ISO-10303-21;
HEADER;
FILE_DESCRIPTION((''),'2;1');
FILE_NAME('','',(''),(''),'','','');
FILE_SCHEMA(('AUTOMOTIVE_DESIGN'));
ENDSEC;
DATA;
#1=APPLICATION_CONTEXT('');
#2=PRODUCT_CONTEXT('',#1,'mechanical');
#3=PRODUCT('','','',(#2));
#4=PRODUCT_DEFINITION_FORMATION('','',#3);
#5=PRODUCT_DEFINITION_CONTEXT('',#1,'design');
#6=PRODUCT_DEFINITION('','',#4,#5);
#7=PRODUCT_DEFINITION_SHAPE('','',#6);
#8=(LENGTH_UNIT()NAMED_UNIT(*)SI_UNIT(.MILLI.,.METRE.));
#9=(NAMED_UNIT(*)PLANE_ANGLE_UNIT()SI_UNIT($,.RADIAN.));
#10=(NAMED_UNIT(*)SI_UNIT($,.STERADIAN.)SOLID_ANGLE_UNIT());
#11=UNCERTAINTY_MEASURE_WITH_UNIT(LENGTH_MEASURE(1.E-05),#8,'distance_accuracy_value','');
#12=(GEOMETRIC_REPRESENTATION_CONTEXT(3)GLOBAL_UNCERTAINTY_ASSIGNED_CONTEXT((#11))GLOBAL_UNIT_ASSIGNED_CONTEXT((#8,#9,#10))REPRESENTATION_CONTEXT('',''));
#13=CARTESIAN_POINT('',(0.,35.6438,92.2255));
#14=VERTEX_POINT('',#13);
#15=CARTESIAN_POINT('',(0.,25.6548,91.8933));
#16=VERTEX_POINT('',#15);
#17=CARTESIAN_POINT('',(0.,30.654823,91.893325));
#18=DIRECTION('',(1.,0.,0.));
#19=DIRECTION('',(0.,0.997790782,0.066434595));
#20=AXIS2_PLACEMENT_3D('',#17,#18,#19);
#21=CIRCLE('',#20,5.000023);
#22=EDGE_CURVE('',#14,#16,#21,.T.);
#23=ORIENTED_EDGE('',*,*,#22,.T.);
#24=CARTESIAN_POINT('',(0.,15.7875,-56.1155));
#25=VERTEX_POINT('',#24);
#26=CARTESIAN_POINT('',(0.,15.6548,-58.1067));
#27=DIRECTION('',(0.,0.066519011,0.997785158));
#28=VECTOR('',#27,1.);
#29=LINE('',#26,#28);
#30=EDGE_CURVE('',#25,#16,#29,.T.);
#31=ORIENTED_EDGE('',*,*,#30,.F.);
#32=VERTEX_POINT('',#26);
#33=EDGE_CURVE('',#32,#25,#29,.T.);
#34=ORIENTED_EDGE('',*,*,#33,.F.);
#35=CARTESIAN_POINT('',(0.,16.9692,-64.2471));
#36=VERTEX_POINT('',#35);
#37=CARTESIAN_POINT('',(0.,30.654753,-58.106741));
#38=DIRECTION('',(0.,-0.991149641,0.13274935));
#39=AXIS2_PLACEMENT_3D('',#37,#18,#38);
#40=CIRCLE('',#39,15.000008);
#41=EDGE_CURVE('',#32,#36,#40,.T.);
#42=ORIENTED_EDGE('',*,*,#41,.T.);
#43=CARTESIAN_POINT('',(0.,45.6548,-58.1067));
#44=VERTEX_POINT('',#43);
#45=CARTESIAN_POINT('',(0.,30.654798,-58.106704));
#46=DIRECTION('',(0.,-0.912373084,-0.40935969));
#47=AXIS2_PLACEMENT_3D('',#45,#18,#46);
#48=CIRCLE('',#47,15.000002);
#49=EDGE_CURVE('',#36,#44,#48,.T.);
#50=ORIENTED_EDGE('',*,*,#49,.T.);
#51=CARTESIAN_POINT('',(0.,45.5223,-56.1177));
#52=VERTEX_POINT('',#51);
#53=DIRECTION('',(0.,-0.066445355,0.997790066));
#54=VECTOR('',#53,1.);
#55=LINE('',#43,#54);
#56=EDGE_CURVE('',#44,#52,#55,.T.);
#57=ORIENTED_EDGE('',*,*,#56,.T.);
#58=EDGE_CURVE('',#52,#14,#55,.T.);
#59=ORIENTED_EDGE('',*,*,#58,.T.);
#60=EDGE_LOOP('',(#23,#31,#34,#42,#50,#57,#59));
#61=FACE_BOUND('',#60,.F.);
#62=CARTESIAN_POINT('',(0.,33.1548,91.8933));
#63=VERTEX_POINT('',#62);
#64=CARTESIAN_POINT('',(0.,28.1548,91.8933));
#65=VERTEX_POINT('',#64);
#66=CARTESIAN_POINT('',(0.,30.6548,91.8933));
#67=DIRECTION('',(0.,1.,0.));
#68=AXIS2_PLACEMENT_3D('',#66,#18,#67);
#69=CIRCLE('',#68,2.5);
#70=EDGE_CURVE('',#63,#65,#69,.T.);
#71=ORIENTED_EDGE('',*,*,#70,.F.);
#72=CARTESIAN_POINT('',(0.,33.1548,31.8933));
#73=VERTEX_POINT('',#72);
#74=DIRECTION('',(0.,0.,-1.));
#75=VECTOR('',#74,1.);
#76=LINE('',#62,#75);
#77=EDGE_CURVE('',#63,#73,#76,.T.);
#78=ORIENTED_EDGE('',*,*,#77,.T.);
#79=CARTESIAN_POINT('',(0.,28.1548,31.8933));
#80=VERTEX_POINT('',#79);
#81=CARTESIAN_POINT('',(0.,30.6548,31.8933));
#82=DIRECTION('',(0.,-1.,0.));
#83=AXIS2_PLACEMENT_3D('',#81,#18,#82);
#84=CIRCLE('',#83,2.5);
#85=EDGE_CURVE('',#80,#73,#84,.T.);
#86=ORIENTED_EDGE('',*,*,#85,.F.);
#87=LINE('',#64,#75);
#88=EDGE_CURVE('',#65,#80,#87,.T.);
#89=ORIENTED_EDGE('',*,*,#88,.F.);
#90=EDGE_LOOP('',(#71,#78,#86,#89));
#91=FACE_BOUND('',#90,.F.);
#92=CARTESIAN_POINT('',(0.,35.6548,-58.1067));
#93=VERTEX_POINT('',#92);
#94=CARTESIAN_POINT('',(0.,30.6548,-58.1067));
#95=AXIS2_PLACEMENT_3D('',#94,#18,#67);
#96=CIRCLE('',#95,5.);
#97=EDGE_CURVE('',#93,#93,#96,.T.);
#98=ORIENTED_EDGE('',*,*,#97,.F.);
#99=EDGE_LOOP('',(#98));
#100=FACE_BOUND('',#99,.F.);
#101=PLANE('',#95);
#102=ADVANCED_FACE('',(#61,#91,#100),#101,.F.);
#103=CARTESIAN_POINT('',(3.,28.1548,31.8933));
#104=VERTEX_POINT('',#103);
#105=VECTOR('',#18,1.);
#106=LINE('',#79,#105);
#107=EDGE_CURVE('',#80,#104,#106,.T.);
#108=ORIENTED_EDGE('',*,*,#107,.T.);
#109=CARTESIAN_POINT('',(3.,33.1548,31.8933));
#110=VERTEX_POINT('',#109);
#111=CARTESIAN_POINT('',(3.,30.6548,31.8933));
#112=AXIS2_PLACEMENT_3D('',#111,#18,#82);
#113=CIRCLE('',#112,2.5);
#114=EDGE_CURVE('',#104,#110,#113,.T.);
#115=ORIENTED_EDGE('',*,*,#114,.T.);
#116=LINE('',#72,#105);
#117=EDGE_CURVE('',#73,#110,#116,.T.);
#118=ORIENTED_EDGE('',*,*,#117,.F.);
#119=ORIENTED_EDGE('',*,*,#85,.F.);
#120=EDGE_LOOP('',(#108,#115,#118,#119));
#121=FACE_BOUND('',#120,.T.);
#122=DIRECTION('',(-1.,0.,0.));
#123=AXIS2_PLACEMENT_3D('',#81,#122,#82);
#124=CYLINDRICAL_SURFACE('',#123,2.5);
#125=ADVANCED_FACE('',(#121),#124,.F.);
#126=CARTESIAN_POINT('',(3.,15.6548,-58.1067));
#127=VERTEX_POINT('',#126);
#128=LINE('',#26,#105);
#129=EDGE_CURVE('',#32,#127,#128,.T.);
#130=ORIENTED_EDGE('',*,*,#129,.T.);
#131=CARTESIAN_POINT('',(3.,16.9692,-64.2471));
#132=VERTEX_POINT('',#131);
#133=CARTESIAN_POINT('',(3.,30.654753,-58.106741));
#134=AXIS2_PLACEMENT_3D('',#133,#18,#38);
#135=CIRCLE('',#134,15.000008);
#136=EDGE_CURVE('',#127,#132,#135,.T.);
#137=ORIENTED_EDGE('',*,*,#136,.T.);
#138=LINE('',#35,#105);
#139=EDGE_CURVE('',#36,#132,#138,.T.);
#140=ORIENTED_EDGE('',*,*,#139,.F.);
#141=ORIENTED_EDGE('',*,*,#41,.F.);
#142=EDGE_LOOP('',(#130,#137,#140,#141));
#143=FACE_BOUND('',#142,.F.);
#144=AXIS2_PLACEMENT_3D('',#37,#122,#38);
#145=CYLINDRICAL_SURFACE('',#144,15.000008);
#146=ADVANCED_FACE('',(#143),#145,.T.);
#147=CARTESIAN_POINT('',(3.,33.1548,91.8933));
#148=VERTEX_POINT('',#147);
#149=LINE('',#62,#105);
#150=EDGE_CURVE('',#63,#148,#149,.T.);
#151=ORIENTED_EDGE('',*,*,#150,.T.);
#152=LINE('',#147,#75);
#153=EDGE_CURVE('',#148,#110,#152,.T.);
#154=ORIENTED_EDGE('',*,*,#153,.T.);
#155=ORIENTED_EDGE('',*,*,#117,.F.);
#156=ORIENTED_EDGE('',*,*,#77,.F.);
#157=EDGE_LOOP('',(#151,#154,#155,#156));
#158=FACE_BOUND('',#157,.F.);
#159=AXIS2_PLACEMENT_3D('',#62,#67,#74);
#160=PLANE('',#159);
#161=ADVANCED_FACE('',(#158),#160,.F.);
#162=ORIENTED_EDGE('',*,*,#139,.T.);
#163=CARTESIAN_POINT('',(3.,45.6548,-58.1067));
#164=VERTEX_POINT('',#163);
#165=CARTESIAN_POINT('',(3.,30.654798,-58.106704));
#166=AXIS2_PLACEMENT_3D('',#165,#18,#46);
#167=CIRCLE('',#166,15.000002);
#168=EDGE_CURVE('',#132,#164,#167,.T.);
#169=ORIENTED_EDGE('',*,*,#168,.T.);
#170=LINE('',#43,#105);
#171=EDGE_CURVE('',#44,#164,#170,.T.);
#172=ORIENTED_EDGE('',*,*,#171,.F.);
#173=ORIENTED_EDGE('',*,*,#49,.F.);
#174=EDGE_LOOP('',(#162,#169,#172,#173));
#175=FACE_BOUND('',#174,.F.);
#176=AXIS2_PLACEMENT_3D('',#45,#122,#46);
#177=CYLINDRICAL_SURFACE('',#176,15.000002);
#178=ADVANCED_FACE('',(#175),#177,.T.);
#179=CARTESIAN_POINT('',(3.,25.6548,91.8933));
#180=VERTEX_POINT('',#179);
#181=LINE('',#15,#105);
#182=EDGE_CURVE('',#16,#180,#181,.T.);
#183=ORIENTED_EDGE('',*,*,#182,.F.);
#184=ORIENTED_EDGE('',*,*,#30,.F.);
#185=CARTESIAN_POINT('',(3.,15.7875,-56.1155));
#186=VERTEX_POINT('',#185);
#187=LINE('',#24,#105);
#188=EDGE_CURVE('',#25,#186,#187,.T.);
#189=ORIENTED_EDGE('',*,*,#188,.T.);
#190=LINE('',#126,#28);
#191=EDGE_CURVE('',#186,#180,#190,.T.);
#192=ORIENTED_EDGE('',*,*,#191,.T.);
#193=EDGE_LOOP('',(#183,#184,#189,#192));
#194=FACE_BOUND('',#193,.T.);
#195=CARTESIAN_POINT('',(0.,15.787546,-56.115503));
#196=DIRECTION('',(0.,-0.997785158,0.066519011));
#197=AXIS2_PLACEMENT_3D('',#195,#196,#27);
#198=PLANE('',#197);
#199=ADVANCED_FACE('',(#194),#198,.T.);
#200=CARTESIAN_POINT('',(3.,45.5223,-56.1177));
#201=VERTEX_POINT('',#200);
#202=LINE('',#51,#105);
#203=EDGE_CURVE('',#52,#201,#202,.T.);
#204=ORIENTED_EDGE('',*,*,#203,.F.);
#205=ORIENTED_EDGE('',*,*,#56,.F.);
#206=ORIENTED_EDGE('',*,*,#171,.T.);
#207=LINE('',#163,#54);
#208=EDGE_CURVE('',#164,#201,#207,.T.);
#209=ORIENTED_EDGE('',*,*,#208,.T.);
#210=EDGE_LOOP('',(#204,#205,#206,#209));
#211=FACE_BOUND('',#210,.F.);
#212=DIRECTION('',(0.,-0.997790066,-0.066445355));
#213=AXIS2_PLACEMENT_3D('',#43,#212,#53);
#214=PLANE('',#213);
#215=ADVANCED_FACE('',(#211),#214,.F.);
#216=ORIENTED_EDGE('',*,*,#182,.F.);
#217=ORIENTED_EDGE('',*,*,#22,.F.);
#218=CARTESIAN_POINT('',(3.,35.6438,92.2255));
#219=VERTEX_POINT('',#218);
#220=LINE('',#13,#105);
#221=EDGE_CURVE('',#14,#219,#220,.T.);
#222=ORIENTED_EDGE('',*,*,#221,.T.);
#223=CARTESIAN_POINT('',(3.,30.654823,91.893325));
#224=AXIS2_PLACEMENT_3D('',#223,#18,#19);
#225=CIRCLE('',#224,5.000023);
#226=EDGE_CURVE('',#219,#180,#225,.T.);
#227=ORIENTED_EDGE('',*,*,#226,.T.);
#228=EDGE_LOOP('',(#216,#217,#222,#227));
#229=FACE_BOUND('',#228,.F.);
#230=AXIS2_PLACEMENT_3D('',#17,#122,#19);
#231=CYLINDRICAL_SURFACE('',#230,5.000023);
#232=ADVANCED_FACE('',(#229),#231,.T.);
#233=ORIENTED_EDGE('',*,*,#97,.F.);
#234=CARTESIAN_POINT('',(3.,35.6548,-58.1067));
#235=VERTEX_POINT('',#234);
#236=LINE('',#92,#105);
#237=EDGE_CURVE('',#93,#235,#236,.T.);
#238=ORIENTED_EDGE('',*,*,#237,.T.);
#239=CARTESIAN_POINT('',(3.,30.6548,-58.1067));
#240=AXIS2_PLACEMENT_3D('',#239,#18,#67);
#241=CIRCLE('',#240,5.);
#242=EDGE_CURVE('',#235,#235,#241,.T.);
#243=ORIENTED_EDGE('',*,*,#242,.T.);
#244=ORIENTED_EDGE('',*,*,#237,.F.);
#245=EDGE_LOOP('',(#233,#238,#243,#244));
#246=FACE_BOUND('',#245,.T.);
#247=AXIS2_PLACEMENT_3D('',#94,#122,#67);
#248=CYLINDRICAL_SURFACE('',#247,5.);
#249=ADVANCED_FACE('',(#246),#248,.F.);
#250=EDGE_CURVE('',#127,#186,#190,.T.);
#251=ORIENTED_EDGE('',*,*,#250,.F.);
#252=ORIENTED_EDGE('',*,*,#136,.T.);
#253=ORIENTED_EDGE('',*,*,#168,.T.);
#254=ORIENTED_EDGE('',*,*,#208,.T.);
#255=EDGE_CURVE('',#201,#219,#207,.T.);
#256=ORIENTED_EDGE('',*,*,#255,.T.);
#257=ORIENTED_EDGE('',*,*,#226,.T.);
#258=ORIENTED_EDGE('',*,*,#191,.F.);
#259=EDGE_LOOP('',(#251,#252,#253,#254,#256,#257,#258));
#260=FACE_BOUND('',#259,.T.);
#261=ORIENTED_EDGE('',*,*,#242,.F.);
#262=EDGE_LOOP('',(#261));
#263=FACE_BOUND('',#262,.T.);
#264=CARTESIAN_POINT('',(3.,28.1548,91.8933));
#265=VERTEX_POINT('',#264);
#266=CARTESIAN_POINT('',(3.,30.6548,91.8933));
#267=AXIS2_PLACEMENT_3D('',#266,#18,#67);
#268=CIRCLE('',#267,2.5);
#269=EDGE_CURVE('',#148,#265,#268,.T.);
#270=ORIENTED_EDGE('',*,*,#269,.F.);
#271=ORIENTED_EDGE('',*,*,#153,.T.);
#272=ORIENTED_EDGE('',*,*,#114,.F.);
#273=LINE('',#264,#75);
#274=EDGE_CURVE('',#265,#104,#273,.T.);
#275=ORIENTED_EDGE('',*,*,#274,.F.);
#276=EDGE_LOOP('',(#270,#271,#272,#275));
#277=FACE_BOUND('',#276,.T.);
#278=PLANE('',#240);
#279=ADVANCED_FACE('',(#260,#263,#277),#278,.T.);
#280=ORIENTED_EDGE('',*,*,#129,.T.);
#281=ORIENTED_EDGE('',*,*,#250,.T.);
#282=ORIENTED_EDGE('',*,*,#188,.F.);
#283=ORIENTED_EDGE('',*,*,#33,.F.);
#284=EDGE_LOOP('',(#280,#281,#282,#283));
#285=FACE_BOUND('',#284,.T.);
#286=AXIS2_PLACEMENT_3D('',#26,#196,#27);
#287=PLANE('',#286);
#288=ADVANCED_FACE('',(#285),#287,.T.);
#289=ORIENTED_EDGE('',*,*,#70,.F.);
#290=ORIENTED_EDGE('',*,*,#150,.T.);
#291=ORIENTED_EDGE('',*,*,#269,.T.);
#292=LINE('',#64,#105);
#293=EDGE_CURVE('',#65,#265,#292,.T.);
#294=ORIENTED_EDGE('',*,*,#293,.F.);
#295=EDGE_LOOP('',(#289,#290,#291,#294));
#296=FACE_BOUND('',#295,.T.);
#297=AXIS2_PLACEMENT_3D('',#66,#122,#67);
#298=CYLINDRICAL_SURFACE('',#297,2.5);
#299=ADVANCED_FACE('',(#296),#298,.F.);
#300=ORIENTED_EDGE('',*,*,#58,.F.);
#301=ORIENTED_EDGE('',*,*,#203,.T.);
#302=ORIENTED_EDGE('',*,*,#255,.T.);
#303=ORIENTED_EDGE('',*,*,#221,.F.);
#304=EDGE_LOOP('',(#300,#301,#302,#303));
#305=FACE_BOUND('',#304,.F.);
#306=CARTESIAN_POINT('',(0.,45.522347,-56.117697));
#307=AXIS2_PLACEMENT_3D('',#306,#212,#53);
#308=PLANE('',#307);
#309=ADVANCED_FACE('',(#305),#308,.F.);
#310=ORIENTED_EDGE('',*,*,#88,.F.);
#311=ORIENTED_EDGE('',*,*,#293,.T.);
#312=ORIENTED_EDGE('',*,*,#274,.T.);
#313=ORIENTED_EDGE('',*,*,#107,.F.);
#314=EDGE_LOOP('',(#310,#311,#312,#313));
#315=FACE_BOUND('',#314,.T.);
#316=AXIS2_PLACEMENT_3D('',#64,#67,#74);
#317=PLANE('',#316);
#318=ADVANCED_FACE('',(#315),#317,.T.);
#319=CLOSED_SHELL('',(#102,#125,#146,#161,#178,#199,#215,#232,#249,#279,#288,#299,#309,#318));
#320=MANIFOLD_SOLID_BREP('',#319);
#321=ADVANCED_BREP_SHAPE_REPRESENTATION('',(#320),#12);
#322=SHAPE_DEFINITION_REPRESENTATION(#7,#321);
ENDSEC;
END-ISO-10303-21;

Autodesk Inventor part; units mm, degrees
ref_plane "YZ Plane" through (0, 0, 0) normal (1, 0, 0) x (0, 1, 0)
ref_plane "XZ Plane" through (0, 0, 0) normal (0, 1, 0) x (-1, 0, 0)
ref_plane "XY Plane" through (0, 0, 0) normal (0, 0, 1) x (1, 0, 0)
sketch "Boceto1" plane through (0, 30.6548, -58.1067) normal (1, 0, 0) x (0, 1, 0)
  arc A0 (-13.6856, -6.1404) -> (15, 0) centre (0, 0) ccw
  arc A1 (-13.6856, -6.1404) -> (14.8675, 1.989) centre (0, 0) ccw
  arc A2 (-13.6856, -6.1404) -> (15, 0) centre (0, 0) ccw
  circle A3 centre (0, 0) radius 5
  arc A4 (-14.8673, 1.9912) -> (14.8675, 1.989) centre (0, 0) ccw
  arc A5 (-2.5, 90) -> (2.5, 90) centre (0, 90) ccw
  arc A6 (2.5, 150) -> (-2.5, 150) centre (0, 150) ccw
  line L0 (2.5, 150) -> (2.5, 90)
  line L1 (-2.5, 150) -> (-2.5, 90)
  line L2 (15, 0) -> (4.989, 150.3322)
  line L3 (-15, 0) -> (-5, 150)
  arc A7 (4.989, 150.3322) -> (-5, 150) centre (0, 150) ccw
  point P0 (15, 0)
  point P1 (15, 0)
extrude "Extrusión1" add sketch "Boceto1" along normal blind 3 contours A4 L3 A7 L2 A0
properties part number "CorrederaPalanca"
